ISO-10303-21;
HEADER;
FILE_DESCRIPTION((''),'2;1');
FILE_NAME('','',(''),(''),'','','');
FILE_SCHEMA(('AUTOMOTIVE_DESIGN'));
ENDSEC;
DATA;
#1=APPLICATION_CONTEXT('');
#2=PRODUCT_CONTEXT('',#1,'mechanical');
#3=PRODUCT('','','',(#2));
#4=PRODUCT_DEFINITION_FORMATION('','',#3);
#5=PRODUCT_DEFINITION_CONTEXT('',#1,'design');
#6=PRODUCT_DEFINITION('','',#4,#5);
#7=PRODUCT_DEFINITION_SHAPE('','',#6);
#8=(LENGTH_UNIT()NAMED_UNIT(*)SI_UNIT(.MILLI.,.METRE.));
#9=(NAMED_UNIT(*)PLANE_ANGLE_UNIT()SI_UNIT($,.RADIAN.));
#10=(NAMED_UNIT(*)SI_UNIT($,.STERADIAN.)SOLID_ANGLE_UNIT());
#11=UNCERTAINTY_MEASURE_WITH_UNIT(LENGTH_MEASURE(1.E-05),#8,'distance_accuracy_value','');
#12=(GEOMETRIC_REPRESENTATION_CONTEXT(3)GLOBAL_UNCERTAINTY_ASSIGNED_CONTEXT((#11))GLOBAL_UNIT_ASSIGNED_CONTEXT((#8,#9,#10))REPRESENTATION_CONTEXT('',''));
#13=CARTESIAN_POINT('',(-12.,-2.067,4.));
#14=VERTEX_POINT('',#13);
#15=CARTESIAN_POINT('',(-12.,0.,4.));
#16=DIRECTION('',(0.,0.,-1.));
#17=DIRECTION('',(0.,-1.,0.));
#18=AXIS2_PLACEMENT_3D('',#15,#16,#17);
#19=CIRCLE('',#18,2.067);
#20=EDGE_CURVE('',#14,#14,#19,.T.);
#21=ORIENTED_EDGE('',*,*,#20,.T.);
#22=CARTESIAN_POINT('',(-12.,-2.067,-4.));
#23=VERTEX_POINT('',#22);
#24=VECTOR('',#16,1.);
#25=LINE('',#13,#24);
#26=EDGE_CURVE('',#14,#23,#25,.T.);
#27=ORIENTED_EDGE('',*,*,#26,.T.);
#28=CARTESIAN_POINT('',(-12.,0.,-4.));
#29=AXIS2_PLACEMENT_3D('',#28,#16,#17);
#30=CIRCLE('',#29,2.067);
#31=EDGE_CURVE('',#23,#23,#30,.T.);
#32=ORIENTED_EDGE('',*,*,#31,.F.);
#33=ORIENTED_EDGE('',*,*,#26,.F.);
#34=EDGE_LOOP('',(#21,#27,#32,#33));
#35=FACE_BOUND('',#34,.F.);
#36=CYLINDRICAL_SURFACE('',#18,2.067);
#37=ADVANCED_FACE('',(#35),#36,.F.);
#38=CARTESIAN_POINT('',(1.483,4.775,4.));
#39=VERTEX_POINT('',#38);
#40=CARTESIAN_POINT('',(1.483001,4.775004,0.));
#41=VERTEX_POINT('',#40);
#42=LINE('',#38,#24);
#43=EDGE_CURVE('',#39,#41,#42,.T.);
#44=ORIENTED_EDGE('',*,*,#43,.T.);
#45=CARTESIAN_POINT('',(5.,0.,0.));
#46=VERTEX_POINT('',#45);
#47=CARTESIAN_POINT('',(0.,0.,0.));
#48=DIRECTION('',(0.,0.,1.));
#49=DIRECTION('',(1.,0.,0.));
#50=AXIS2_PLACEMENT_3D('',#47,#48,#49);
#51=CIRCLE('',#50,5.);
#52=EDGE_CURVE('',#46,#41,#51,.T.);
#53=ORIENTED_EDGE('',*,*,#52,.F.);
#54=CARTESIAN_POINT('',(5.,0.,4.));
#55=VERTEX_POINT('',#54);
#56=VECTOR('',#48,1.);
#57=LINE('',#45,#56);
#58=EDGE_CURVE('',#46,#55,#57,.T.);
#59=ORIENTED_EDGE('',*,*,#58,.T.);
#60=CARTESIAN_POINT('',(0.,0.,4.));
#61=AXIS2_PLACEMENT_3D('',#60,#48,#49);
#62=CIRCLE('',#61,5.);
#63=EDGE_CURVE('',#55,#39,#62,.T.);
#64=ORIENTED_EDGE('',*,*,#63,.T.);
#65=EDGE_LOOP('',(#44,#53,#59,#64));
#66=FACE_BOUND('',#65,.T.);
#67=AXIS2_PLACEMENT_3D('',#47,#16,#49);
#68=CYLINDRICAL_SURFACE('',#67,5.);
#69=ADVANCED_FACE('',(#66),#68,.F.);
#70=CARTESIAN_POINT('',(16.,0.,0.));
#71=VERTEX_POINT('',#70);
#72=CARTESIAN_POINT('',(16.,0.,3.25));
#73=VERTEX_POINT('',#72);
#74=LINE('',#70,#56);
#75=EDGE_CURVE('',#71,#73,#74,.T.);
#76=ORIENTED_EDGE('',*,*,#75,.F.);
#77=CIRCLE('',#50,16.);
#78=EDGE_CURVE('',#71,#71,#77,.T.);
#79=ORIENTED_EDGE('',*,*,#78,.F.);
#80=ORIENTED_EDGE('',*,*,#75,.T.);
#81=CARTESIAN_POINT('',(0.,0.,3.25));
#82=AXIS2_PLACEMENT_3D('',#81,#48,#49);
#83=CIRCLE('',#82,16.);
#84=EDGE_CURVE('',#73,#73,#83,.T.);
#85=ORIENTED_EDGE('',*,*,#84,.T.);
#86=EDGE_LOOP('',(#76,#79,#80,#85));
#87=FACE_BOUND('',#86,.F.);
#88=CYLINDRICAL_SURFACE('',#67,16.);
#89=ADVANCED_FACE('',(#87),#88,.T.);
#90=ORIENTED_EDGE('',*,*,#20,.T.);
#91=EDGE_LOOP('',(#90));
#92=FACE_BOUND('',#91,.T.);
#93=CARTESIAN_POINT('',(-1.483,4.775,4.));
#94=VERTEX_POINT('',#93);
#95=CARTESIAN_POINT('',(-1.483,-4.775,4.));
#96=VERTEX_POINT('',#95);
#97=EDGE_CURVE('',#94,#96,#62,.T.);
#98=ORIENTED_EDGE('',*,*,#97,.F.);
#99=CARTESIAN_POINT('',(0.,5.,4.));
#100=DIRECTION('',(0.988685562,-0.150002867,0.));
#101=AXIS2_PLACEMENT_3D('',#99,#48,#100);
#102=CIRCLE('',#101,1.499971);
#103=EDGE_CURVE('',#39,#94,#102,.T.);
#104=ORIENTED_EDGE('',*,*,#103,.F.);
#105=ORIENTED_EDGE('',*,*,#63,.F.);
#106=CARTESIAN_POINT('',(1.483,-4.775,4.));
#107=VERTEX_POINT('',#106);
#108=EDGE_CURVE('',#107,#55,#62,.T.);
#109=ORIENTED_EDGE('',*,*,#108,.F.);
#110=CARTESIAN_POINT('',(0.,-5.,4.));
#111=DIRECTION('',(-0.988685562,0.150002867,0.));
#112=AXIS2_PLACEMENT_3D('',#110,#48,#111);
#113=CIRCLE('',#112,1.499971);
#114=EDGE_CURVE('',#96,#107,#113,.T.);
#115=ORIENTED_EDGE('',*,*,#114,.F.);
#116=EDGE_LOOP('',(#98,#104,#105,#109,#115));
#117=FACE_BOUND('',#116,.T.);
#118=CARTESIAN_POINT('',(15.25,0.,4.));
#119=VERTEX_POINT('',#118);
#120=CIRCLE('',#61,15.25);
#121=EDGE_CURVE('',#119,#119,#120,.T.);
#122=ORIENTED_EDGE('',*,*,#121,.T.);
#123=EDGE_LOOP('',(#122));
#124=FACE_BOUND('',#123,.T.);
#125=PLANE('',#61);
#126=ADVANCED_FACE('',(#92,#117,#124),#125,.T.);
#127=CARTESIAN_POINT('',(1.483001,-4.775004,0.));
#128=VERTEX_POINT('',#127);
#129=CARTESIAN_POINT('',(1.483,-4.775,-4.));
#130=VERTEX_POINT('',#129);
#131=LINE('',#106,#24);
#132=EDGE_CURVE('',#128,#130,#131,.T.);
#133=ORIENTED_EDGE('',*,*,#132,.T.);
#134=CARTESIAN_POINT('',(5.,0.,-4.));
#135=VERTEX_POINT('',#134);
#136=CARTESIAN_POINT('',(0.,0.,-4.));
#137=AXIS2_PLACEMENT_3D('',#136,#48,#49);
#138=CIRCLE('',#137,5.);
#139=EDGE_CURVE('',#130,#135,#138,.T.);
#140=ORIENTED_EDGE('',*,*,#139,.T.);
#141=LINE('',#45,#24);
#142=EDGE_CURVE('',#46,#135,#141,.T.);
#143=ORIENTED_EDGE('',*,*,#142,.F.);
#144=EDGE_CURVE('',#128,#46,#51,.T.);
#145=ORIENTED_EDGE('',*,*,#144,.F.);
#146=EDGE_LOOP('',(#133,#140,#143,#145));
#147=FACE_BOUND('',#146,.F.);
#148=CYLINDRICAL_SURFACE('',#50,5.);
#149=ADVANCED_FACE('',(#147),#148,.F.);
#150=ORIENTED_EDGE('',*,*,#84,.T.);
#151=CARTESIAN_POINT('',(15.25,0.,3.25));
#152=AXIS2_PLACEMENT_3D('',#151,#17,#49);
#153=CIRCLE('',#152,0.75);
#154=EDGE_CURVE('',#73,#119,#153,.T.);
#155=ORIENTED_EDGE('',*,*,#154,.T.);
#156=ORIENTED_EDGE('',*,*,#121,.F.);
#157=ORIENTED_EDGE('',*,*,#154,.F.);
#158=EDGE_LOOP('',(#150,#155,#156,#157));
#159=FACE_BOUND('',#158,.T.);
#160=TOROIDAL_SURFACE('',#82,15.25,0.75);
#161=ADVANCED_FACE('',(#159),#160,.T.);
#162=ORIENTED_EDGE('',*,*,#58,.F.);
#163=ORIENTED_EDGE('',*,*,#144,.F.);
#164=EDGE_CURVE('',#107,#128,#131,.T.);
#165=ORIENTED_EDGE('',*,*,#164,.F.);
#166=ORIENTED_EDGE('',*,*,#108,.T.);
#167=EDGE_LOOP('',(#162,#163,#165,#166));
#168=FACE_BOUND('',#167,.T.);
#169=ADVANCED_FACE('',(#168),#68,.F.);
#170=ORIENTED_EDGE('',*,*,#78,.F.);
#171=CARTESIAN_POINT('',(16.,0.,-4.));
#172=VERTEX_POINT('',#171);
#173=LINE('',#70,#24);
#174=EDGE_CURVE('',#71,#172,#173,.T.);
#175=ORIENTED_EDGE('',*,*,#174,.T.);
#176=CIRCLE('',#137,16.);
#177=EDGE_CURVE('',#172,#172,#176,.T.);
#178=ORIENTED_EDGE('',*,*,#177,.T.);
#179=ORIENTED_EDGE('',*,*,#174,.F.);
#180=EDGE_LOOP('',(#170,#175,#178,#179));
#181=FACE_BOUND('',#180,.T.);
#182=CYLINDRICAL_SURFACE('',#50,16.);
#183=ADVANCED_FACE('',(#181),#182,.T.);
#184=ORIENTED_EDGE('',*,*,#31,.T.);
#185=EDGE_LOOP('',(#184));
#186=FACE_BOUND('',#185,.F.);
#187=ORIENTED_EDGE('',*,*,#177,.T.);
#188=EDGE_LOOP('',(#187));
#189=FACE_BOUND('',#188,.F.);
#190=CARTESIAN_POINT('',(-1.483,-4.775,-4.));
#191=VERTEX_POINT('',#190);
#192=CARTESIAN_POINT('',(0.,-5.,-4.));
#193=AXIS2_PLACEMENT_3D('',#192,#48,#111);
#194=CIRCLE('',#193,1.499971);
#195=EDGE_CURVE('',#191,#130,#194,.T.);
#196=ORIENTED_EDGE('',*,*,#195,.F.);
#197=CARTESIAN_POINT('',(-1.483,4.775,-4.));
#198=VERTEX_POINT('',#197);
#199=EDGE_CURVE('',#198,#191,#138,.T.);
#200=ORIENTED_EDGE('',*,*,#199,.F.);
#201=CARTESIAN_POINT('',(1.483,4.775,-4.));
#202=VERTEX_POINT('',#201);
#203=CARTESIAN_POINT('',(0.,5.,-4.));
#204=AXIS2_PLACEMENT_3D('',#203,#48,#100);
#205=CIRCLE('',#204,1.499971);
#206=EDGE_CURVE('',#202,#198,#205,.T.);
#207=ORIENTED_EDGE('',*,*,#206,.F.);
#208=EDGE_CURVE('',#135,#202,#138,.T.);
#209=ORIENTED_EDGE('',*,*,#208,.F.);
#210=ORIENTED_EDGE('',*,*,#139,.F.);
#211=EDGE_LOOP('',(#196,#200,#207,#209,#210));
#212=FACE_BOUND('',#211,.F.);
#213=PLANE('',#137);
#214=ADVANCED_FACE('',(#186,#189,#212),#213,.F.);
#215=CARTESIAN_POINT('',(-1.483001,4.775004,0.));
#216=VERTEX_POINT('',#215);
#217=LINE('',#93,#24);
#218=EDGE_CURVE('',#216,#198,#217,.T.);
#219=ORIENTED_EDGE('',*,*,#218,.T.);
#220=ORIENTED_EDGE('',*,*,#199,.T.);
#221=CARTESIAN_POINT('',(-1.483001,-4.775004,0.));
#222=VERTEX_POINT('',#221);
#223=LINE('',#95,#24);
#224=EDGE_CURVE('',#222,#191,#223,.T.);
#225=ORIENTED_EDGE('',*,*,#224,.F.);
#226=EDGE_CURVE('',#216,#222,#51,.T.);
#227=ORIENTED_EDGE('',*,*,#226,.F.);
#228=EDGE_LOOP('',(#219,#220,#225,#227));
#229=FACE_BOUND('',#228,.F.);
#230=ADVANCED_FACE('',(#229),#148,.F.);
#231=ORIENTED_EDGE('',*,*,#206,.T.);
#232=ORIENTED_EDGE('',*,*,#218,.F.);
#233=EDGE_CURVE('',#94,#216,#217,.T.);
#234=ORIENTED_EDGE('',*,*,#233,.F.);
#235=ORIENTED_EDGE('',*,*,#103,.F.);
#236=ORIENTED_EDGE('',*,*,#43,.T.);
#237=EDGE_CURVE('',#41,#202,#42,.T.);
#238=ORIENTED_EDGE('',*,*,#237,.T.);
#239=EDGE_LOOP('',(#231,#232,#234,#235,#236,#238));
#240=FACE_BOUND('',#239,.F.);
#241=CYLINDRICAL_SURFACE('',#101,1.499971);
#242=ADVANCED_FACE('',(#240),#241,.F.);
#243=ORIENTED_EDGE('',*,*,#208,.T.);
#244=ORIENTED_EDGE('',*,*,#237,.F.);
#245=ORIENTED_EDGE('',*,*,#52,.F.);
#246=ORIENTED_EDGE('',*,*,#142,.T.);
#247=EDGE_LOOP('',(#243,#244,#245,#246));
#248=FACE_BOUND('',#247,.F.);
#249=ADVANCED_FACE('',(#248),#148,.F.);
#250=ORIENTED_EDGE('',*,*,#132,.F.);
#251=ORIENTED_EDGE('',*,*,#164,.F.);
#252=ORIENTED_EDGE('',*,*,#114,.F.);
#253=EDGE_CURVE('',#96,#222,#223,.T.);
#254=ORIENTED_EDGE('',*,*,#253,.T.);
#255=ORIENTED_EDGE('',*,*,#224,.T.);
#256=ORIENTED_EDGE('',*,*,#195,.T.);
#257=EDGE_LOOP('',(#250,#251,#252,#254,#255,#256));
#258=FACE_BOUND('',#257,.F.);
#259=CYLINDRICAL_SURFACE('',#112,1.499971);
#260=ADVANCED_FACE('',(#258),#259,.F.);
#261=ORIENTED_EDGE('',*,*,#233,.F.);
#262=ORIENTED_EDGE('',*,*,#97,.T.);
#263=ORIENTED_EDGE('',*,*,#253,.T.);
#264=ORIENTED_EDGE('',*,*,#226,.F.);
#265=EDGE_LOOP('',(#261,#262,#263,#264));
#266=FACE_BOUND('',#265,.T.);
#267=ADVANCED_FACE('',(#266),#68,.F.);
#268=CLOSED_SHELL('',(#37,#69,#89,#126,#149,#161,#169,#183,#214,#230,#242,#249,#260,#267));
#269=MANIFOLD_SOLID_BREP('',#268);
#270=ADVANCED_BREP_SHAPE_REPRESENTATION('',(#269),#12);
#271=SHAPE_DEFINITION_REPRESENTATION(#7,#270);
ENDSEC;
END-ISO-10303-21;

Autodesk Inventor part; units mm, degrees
ref_plane "YZ Plane" through (0, 0, 0) normal (1, 0, 0) x (0, 1, 0)
ref_plane "XZ Plane" through (0, 0, 0) normal (0, 1, 0) x (-1, 0, 0)
ref_plane "XY Plane" through (0, 0, 0) normal (0, 0, 1) x (1, 0, 0)
sketch "Sketch1" plane through (0, 0, 0) normal (0, 0, 1) x (1, 0, 0)
  circle A0 centre (0, 0) radius 16
  circle A1 centre (0, 0) radius 5
  dimension "d0" = 32
  dimension "d1" = 10
extrude "Extrusion1" add sketch "Sketch1" along normal mid plane 8
sketch "Sketch2" plane through (0, 0, 4) normal (0, 0, 1) x (1, 0, 0)
  circle A0 centre (0, 0) radius 5 projected
  arc A1 (-1.483, -4.775) -> (1.483, -4.775) centre (0, -5) ccw
  arc A2 (1.483, 4.775) -> (-1.483, 4.775) centre (0, 5) ccw
  dimension "d4" = 3
  dimension "d5" = 3
extrude "Extrusion2" cut sketch "Sketch2" against normal blind 8 contours A0 A2 | A1 A0
sketch "Sketch3" plane through (0, 0, 4) normal (0, 0, 1) x (1, 0, 0)
  point P0 (0, 0)
  point P1 (-12, 0)
  dimension "d8" = 12
hole "Hole1" at (-12, 0, 4) direction (0, 0, -1) diameter 4.134 depth 8 thread size "M5x0.8" class "6H" standard "ISO Metric profile"
fillet "Fillet1" radius 0.75 1 edges at (-16, 0, 4)
properties part number "45"
